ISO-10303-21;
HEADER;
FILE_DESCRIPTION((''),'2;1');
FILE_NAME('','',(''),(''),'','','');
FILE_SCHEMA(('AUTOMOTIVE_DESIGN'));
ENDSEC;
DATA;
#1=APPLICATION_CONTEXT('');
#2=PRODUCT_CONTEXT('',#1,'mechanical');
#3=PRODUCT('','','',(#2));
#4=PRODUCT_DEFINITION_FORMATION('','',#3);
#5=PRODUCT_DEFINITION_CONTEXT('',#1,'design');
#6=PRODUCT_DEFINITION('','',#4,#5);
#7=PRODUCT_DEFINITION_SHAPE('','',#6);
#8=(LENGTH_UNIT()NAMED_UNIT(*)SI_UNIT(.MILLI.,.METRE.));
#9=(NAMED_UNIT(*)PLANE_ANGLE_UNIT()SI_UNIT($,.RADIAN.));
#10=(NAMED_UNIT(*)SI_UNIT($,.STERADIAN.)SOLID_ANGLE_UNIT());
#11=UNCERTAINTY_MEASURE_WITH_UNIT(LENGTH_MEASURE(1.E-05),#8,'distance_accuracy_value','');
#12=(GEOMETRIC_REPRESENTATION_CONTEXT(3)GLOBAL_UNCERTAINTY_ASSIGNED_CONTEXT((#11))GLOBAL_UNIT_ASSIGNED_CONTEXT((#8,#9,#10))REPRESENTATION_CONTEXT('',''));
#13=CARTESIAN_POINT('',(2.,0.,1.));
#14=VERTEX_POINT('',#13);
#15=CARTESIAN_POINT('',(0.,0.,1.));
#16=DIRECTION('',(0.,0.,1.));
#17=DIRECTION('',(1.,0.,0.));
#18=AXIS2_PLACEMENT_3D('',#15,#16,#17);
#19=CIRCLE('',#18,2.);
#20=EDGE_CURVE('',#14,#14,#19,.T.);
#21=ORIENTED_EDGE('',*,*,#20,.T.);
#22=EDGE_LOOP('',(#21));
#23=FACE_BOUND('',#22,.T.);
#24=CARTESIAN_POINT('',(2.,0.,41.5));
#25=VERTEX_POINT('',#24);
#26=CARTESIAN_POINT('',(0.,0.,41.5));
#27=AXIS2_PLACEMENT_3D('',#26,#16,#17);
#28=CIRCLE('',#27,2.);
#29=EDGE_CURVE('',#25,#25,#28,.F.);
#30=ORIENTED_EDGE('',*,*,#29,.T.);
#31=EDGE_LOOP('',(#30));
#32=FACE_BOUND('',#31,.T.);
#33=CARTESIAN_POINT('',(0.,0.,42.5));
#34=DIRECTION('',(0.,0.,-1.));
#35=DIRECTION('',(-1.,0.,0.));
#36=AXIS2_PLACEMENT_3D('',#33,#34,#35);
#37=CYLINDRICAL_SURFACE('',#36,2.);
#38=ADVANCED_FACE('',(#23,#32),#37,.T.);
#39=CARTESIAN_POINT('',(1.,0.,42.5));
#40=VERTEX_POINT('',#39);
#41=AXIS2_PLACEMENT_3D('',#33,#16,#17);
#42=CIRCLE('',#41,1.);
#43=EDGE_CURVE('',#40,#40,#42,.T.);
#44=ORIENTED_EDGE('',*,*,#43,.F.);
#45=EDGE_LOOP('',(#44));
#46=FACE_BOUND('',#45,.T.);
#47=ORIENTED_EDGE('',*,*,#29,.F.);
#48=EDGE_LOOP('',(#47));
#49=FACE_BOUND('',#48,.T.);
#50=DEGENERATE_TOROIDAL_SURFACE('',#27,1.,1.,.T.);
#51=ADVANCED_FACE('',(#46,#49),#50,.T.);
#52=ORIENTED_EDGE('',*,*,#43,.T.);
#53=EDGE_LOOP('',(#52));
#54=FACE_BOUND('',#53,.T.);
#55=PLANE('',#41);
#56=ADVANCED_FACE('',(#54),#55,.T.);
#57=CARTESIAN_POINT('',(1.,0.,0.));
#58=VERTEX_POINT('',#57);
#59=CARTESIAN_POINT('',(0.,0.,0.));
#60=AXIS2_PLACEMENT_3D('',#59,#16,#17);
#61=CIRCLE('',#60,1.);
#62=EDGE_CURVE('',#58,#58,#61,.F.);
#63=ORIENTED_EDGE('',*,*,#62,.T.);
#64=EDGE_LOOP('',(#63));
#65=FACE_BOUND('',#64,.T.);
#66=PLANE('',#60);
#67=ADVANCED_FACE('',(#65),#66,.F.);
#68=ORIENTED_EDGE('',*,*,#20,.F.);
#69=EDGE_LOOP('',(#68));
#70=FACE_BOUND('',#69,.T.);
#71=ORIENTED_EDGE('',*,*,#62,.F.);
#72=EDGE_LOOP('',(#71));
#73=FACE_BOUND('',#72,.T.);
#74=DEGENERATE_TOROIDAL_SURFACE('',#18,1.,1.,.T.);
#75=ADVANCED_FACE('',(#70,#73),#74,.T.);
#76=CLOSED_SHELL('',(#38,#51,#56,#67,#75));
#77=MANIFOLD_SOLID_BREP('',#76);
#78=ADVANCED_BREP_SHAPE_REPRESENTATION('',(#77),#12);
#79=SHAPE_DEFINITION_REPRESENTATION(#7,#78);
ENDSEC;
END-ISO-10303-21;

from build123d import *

# Parameters (mm, degrees)
SKETCH_1_R      = 2
EXTRUDE_1_DEPTH = 42.5
FILLET_1_R      = 1


with BuildPart() as part:
    # ｽｹｯﾁ1 → ﾎﾞｽ - 押し出し1 (new body)
    with BuildSketch(Plane.XY):
        Circle(SKETCH_1_R)
    extrude(amount=EXTRUDE_1_DEPTH)

    # ﾌｨﾚｯﾄ1
    fillet_1_edges = [part.edges().sort_by_distance(p)[0] for p in [
        (-2, 0, 0),
        (-2, 0, 42.5),
    ]]
    fillet(fillet_1_edges, radius=FILLET_1_R)


solid = part.part
